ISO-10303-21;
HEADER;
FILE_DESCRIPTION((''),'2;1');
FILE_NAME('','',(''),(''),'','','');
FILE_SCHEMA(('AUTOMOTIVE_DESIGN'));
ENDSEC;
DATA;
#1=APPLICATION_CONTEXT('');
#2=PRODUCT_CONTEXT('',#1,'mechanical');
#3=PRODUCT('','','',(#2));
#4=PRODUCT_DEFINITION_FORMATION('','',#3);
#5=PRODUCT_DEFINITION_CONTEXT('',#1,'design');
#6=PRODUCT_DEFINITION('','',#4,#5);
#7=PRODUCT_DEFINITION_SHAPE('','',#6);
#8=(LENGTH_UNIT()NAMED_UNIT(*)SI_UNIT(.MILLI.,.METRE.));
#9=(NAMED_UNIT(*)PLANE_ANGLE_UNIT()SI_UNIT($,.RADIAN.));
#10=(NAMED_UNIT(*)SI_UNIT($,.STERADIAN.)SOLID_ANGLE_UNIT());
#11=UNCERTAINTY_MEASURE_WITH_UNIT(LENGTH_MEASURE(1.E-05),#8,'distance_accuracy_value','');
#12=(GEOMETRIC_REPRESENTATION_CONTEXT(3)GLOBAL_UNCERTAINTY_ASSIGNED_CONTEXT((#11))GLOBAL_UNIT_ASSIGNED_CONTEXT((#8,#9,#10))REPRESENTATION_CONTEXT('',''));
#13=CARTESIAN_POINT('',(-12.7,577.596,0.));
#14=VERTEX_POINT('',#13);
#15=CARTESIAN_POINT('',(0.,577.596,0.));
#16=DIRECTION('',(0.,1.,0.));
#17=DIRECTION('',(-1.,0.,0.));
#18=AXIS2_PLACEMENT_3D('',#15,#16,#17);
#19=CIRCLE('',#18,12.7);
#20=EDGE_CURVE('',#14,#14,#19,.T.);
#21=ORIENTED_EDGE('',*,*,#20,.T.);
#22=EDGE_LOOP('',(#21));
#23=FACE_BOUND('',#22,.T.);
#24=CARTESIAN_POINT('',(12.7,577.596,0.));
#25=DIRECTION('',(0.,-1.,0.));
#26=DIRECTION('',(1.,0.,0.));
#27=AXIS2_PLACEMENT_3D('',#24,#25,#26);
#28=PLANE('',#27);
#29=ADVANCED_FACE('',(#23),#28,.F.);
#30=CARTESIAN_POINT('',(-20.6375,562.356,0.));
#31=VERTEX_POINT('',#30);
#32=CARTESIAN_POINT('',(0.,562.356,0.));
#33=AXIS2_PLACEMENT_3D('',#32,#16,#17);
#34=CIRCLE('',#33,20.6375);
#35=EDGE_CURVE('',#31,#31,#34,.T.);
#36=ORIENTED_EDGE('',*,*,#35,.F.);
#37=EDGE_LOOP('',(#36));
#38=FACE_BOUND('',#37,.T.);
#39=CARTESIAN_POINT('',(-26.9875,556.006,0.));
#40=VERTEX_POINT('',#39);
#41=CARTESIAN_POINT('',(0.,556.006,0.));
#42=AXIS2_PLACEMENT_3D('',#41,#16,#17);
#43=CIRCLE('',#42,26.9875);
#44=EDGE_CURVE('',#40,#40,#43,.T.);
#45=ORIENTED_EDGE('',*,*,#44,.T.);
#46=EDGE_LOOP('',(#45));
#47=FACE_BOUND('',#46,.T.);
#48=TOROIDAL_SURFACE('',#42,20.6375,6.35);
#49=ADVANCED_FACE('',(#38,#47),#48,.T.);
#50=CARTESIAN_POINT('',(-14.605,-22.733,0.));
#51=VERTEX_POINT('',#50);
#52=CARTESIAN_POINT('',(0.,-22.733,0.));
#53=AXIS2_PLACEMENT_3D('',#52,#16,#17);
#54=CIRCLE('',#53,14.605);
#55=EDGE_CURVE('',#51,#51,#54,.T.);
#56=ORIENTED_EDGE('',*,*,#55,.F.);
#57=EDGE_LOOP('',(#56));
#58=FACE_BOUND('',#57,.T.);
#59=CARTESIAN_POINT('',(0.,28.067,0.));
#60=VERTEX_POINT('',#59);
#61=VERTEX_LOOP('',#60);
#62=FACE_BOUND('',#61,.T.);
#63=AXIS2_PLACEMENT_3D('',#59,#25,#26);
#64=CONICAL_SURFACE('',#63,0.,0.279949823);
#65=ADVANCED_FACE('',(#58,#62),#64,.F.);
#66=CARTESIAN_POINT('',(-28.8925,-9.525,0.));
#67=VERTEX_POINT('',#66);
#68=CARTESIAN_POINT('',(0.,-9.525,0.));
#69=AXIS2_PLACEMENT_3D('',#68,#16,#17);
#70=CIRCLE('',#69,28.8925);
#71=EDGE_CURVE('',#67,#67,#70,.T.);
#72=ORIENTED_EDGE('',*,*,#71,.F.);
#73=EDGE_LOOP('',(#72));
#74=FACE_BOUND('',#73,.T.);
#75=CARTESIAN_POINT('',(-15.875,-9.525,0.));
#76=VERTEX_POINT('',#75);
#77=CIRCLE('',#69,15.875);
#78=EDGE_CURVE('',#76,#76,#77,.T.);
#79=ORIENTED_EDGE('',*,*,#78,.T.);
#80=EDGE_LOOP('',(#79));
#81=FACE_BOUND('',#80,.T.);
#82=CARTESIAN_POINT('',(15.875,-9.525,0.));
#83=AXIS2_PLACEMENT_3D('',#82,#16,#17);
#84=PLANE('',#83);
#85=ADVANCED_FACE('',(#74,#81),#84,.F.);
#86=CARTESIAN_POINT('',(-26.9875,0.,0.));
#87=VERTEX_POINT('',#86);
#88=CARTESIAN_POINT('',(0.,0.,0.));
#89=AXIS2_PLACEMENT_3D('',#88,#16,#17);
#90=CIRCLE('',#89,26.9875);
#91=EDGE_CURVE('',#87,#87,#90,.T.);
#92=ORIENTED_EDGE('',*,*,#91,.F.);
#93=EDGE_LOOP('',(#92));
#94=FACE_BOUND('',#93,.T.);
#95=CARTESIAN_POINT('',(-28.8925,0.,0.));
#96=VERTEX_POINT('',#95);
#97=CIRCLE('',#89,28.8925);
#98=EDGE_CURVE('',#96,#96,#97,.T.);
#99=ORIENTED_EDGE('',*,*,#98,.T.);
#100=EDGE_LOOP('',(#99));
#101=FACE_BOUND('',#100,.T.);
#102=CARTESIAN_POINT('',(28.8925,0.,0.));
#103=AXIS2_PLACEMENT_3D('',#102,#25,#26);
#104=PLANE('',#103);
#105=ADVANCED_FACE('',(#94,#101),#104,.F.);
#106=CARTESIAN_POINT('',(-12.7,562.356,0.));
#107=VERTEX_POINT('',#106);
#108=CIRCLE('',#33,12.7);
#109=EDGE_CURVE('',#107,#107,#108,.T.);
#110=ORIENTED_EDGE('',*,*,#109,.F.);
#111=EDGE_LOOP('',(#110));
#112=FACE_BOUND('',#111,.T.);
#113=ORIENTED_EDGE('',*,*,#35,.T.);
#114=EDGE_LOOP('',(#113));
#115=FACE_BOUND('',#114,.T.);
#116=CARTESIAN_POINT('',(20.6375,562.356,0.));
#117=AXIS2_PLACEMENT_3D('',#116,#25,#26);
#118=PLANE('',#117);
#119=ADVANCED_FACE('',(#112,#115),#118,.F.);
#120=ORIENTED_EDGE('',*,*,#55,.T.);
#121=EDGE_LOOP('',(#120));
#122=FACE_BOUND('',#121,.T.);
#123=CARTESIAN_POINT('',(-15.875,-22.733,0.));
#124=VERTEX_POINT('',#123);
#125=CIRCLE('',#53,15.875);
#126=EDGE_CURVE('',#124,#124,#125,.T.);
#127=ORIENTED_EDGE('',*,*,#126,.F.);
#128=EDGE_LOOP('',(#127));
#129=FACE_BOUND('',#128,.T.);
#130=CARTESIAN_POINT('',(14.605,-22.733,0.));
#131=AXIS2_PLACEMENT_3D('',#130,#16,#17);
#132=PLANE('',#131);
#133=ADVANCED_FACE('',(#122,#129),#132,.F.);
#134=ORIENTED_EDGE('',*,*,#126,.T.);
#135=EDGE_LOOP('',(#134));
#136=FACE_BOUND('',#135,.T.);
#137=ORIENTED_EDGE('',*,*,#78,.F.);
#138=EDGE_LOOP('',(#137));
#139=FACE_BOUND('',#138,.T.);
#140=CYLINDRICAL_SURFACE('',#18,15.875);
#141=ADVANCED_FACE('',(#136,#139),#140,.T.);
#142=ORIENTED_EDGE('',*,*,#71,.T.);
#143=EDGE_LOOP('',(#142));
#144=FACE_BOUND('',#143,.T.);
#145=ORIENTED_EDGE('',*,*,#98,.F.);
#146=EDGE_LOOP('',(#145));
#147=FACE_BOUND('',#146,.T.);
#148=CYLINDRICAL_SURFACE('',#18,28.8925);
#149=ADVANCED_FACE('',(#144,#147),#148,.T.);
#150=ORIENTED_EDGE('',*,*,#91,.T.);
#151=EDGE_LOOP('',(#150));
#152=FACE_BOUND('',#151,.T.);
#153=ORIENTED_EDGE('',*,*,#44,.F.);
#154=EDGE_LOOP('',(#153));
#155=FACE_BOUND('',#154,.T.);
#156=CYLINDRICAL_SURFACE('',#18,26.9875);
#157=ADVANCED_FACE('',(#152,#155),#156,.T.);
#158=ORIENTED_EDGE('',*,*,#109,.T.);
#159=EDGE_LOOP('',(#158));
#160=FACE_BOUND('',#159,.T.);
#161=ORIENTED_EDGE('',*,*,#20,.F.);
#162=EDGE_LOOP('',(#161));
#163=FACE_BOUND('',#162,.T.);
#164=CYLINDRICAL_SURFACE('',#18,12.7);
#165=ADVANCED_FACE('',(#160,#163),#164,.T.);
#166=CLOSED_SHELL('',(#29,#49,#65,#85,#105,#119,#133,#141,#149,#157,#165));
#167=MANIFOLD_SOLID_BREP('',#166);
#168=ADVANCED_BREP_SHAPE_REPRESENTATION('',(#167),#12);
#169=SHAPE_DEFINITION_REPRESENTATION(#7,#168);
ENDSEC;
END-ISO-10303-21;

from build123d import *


with BuildPart() as part:
    # Sketch1 → Revolve1 (revolve)
    with BuildSketch(Plane.XY):
        with BuildLine():
            Line((14.605, -22.733), (15.875, -22.733))
            Line((15.875, -22.733), (15.875, -9.525))
            Line((15.875, -9.525), (28.8925, -9.525))
            Line((28.8925, -9.525), (28.8925, 0))
            Line((28.8925, 0), (26.9875, 0))
            Line((26.9875, 0), (26.9875, 556.006))
            ThreePointArc((26.9875, 556.006), (25.127628061, 560.496128061), (20.6375, 562.356))
            Line((20.6375, 562.356), (12.7, 562.356))
            Line((12.7, 562.356), (12.7, 577.596))
            Line((12.7, 577.596), (0, 577.596))
            Line((0, 577.596), (0, 28.067))
            Line((0, 28.067), (14.605, -22.733))
        make_face()
    revolve(axis=Axis((0, 577.596, 0), (0, -1, 0)))


solid = part.part
